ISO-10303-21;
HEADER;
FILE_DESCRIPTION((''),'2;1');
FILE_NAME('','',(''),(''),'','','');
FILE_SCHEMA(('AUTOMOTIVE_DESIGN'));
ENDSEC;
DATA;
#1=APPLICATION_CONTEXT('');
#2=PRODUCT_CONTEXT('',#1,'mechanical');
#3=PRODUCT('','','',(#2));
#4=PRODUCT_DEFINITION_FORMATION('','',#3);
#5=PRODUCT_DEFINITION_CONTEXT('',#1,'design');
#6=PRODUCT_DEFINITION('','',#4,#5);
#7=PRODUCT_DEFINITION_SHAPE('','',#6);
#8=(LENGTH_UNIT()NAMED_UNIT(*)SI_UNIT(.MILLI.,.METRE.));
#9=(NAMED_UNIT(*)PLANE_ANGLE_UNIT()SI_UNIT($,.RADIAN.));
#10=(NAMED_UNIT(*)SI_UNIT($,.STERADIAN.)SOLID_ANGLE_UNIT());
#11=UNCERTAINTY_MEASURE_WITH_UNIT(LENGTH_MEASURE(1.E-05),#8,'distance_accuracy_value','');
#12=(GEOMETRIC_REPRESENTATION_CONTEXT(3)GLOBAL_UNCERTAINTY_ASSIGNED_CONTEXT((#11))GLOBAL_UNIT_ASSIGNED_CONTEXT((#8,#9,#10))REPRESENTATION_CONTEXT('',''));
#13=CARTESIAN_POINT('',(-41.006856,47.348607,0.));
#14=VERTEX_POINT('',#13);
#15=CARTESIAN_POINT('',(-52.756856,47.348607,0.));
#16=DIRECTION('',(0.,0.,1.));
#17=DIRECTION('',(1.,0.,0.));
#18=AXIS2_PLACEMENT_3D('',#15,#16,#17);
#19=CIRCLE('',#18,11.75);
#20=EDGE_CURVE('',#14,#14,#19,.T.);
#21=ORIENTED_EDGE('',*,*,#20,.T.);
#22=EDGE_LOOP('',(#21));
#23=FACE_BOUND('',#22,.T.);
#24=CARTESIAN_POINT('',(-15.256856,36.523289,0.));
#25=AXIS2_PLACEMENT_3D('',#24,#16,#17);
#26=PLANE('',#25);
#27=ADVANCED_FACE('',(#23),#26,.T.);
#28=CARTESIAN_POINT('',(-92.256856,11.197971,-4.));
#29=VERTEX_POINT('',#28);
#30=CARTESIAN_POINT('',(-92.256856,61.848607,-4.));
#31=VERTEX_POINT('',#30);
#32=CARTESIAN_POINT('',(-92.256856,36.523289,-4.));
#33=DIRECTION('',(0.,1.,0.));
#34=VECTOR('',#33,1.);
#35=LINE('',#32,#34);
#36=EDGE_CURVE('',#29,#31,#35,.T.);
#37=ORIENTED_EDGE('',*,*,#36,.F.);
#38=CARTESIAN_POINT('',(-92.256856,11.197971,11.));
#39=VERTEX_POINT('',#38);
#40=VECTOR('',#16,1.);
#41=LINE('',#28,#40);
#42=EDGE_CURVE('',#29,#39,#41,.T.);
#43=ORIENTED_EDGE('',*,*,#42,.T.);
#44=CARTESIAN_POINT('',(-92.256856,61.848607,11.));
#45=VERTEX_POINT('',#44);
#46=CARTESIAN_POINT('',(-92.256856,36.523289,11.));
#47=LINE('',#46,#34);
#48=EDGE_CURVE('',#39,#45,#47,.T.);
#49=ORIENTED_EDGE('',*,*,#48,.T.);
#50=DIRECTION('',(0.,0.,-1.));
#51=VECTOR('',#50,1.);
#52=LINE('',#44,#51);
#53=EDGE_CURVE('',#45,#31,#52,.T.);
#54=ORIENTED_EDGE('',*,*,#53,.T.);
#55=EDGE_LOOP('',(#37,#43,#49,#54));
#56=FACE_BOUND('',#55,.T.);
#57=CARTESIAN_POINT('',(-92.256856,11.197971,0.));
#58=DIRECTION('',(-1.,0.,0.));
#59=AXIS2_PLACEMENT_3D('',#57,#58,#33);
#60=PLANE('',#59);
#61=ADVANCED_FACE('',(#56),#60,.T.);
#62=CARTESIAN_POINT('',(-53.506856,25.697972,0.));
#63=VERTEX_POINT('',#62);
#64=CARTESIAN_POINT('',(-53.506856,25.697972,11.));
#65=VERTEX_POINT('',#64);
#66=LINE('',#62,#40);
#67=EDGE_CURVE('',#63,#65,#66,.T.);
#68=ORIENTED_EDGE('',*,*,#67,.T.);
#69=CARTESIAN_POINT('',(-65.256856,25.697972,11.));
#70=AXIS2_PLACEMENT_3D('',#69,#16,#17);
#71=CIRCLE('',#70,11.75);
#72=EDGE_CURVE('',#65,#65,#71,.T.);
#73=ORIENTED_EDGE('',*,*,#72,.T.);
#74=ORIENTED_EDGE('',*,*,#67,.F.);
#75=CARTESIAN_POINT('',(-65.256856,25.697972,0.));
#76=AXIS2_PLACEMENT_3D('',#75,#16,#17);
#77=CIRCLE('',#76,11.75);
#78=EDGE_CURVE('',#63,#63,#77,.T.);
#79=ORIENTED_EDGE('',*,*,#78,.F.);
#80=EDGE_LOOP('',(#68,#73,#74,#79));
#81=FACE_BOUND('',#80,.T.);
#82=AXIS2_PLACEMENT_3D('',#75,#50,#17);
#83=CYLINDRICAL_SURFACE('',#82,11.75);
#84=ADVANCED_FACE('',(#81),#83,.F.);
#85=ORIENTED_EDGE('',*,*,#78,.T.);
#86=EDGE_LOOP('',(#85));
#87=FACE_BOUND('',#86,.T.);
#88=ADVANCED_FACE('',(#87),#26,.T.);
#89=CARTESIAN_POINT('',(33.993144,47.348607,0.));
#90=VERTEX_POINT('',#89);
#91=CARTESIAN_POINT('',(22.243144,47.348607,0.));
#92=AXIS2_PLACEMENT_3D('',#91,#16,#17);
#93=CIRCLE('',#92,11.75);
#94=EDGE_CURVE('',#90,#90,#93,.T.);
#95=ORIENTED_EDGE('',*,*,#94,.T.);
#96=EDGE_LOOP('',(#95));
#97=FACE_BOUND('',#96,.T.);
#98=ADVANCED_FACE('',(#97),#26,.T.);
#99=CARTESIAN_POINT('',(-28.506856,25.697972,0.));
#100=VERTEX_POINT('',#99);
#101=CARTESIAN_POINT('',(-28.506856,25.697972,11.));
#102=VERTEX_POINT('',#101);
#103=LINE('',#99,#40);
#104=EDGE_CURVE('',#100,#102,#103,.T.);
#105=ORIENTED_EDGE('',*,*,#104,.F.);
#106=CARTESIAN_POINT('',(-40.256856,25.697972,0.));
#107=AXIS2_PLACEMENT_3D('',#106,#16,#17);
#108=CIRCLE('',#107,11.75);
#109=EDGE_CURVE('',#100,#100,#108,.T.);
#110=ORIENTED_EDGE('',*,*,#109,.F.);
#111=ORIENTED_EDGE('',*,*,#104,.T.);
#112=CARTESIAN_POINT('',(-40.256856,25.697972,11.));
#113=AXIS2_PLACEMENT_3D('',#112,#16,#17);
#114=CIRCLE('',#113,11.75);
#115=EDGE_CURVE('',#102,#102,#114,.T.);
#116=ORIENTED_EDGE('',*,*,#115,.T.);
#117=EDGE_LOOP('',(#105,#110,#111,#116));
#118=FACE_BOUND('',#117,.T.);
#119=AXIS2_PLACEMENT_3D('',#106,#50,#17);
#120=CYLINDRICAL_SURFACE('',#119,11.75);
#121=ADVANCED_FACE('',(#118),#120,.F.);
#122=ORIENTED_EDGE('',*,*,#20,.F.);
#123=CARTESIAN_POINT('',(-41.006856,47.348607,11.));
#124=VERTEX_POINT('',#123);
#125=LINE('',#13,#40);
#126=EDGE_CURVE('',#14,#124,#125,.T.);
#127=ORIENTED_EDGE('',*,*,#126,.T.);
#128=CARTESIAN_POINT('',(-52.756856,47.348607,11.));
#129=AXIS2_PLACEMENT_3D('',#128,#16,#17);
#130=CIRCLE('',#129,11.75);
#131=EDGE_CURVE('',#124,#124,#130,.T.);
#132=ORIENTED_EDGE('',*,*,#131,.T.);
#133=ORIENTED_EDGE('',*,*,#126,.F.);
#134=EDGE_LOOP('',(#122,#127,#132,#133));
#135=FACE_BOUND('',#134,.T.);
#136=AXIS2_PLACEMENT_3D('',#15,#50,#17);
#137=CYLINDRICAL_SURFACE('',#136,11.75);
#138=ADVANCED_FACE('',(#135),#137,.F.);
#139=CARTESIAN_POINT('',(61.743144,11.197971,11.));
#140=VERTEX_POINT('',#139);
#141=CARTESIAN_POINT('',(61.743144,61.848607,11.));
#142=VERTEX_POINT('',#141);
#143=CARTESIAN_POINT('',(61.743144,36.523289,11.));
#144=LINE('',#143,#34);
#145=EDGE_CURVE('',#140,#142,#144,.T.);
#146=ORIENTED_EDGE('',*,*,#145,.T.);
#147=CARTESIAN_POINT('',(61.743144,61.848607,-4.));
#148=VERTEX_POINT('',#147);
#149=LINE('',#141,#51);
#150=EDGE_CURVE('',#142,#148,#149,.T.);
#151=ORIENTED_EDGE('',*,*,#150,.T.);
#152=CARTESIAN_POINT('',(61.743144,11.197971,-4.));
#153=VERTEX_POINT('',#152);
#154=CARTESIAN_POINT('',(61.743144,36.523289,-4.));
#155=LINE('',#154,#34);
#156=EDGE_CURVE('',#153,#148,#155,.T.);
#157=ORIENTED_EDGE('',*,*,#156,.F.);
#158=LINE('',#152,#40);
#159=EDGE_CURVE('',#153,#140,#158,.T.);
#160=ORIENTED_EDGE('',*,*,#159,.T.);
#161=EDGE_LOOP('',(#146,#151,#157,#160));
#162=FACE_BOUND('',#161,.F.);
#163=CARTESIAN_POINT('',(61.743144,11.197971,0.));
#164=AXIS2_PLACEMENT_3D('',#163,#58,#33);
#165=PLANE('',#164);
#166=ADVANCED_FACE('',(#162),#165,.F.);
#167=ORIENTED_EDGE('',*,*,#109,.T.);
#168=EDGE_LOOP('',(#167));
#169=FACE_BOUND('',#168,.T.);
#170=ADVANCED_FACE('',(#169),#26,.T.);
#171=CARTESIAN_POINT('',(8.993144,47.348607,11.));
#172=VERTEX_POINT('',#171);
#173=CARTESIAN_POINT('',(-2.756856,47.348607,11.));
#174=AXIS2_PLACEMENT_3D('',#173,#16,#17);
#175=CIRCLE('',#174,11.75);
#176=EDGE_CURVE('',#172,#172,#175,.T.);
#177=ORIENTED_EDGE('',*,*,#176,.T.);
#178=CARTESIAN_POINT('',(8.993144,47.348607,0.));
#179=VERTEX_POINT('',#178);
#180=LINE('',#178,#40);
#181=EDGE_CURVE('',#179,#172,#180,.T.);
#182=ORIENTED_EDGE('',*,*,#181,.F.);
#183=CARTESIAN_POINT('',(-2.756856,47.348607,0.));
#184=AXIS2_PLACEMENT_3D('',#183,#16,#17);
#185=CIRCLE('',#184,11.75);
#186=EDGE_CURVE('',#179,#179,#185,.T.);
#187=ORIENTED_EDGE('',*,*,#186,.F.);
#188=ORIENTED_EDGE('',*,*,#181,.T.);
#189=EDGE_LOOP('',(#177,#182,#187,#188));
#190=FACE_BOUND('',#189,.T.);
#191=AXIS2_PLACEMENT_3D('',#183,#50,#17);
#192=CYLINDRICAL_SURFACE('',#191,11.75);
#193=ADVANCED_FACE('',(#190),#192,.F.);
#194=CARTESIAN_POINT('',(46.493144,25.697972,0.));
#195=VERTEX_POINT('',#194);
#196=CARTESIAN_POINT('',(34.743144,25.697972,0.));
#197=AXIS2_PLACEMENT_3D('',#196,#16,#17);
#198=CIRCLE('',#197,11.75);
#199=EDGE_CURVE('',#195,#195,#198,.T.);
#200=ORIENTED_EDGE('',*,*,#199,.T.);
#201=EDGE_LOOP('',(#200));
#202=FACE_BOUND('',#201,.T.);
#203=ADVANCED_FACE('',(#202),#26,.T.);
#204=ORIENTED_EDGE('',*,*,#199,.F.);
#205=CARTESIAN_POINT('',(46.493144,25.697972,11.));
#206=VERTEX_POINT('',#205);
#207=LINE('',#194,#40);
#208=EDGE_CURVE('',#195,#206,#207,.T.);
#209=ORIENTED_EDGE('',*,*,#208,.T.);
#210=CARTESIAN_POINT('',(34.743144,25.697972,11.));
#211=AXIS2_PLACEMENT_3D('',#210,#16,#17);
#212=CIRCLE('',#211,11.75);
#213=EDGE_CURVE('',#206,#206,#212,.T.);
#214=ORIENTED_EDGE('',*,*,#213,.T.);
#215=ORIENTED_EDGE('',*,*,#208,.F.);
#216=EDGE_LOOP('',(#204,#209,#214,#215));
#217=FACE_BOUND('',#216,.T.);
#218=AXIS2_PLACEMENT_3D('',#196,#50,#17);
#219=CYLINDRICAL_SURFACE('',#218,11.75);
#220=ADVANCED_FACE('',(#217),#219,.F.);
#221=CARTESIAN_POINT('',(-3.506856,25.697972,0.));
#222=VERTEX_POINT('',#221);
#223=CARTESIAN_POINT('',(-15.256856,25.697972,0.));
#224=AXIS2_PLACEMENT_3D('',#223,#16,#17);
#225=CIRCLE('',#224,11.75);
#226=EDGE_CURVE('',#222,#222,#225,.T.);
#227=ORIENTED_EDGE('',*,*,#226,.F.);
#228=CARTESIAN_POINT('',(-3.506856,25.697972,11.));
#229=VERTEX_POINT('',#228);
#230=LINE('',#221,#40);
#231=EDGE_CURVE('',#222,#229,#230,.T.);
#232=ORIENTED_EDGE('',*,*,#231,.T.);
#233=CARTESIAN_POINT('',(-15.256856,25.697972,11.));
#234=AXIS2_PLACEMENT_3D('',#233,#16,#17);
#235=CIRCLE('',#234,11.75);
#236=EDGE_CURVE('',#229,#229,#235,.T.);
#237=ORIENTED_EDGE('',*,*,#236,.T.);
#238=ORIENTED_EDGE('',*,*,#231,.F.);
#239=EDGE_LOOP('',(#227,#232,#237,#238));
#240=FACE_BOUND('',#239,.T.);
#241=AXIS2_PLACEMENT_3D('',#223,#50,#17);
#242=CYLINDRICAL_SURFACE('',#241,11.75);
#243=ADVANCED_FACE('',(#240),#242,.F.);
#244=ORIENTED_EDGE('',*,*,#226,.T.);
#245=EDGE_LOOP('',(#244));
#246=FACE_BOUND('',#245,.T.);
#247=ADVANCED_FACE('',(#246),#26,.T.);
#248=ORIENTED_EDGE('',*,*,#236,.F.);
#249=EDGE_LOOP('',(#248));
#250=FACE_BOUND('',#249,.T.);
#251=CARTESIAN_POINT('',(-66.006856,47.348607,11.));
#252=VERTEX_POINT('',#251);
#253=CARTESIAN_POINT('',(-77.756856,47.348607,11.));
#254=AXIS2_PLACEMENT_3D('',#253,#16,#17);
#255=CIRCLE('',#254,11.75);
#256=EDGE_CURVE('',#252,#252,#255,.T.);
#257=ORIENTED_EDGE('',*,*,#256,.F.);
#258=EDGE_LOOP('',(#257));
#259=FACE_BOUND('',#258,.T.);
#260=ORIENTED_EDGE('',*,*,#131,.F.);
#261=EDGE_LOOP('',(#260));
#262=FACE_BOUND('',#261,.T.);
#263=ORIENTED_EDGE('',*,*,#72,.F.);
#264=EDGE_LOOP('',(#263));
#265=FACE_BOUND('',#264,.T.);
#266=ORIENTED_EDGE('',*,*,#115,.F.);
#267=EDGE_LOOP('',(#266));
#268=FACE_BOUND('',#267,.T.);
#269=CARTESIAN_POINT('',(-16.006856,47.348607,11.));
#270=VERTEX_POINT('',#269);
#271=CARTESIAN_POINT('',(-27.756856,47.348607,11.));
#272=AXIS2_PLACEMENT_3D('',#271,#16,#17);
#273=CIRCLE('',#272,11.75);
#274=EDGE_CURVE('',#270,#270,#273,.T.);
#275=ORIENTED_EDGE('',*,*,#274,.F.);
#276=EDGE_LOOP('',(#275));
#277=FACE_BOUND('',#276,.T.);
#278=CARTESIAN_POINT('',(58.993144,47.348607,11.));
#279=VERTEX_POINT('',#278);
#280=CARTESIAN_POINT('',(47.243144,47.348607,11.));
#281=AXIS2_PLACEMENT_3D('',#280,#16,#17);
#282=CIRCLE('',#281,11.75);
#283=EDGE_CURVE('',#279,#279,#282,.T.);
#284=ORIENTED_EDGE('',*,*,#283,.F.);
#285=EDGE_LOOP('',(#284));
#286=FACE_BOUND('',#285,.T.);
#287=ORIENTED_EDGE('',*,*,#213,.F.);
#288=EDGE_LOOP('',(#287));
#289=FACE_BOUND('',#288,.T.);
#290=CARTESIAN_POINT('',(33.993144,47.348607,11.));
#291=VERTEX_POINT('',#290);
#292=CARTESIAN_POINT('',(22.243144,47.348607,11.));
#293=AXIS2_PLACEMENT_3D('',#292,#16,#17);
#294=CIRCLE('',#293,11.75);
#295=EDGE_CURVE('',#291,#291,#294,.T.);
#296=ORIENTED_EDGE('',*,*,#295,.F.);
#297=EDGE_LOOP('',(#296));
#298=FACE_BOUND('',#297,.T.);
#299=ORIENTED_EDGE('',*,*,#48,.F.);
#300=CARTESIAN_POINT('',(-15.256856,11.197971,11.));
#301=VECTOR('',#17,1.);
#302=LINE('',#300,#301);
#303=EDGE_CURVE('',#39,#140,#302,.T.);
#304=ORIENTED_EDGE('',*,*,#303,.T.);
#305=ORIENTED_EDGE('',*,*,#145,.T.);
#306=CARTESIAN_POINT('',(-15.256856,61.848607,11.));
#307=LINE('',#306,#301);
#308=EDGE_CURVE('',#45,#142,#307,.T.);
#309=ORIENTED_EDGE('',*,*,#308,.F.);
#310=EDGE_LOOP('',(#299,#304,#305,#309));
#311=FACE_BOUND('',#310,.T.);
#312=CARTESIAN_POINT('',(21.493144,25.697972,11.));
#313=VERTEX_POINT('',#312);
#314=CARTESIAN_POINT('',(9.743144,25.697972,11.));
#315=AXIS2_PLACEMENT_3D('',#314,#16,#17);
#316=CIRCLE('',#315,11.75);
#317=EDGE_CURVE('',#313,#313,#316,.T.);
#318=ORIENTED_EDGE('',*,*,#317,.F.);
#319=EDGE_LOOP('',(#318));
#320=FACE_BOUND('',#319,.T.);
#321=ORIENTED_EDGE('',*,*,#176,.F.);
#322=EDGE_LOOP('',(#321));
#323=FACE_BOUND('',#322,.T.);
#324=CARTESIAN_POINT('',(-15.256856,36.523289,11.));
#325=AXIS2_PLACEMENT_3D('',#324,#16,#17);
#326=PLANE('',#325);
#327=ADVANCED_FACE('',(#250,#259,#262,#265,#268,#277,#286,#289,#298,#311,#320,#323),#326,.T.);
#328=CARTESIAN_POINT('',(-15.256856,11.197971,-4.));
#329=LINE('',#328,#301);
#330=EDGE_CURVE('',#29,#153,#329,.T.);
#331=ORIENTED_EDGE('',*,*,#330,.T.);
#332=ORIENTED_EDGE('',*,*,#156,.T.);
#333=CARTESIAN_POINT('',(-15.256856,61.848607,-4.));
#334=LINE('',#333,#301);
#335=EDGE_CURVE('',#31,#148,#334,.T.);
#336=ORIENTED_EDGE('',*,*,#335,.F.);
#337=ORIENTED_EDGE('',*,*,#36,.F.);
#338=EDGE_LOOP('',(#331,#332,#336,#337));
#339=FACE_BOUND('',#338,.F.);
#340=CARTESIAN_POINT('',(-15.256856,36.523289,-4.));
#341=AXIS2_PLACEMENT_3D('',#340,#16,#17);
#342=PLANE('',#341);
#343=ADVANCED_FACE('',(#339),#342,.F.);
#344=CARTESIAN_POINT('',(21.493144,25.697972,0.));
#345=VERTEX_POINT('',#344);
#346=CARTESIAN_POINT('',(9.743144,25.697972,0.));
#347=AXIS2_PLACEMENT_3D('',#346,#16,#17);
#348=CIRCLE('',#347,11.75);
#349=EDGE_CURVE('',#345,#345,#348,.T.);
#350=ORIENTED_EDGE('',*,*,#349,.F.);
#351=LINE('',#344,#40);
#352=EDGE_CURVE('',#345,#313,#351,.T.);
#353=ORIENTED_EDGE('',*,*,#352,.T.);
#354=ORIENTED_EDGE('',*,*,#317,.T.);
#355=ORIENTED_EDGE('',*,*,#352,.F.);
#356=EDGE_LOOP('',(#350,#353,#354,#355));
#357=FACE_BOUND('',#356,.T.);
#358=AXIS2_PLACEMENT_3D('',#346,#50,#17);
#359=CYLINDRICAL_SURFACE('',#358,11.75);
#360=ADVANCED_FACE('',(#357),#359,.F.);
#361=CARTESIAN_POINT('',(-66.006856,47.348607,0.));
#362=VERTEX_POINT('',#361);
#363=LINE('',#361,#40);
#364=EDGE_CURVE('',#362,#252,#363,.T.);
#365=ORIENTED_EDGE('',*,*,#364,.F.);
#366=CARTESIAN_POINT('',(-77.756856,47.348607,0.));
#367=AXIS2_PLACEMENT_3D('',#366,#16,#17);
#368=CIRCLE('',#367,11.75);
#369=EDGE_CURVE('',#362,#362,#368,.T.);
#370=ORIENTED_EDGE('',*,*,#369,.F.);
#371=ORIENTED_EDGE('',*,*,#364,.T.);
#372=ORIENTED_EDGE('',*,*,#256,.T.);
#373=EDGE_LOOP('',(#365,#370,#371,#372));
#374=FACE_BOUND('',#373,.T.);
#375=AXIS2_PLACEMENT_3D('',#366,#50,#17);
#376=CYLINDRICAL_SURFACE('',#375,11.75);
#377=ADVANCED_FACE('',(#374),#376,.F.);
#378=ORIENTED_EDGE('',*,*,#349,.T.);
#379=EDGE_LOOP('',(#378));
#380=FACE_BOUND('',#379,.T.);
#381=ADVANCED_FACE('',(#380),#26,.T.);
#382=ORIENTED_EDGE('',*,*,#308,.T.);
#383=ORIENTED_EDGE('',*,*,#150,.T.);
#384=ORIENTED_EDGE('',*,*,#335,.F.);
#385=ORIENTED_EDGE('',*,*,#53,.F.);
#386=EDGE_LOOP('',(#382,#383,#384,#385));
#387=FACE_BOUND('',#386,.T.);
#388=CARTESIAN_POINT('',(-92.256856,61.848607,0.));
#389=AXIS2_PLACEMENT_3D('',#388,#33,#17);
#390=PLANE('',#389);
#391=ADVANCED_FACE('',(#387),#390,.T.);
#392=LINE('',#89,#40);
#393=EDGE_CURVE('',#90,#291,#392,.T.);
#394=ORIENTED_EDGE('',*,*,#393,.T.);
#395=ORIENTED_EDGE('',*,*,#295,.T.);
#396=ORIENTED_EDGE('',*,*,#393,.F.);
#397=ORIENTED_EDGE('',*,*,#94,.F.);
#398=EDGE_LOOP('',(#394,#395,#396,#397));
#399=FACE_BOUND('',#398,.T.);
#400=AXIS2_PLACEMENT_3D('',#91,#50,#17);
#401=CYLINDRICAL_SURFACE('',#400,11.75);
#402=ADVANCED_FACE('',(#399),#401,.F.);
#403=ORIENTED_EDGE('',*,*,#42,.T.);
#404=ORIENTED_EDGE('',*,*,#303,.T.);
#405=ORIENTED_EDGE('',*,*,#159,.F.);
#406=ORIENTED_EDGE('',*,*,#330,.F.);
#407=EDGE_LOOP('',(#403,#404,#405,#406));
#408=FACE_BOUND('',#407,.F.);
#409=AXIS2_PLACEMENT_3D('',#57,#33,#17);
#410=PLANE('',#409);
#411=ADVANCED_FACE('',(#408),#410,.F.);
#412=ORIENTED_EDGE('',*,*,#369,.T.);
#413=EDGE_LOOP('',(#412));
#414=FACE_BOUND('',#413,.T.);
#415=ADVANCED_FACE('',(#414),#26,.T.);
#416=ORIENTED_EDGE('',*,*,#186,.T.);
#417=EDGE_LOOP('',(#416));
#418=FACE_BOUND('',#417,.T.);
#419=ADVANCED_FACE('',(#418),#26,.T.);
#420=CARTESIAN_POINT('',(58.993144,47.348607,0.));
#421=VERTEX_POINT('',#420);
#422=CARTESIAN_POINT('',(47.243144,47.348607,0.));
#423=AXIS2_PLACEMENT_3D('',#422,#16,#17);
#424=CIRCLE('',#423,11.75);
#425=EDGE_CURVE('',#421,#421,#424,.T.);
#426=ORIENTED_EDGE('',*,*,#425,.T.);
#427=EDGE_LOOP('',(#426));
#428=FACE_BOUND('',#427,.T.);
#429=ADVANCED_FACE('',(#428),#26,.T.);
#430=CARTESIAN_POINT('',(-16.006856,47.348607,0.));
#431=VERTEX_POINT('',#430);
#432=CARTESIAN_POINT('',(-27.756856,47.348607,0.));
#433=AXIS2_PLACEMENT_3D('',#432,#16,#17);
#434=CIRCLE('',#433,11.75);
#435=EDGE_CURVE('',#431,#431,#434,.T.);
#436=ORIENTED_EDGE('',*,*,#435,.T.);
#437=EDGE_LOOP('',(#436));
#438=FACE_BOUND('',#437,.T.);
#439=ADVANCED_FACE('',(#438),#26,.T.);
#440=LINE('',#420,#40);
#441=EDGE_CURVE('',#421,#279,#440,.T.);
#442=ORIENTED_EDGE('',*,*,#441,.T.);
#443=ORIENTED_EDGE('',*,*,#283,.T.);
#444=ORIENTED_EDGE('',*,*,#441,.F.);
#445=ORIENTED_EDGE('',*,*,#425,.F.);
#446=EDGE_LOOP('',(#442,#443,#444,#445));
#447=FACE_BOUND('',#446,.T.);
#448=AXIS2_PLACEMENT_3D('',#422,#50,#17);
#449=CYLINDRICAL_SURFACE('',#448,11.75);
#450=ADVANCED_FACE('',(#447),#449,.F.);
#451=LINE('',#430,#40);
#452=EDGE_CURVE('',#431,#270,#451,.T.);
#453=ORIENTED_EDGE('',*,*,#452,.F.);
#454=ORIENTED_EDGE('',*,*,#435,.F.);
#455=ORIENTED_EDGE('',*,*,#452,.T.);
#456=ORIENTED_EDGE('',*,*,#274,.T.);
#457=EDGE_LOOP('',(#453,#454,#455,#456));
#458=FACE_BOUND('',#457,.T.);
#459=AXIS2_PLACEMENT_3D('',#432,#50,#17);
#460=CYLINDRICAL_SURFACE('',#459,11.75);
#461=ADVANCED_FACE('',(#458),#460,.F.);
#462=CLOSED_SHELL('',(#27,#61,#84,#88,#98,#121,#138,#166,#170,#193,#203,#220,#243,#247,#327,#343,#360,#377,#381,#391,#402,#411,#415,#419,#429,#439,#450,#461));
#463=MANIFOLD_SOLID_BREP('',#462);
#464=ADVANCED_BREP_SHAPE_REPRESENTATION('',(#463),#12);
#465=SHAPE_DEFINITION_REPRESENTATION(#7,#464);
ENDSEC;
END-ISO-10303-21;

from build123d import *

# Parameters (mm, degrees)
F0_W     = 154
F0_H     = 50.650635
F0_R     = 11.75
F1_DEPTH = 4
F2_DEPTH = 11


with BuildPart() as f1:
    # F0 (on Top) → F1 (new body)
    with BuildSketch(Plane.XY):
        with Locations((-15.256856, 36.523289)):
            Rectangle(F0_W, F0_H)
        with Locations((-65.256856, 25.697972)):
            Circle(F0_R, mode=Mode.SUBTRACT)
        with Locations((-40.256856, 25.697972)):
            Circle(F0_R, mode=Mode.SUBTRACT)
        with Locations((-15.256856, 25.697972)):
            Circle(F0_R, mode=Mode.SUBTRACT)
        with Locations((9.743144, 25.697972)):
            Circle(F0_R, mode=Mode.SUBTRACT)
        with Locations((34.743144, 25.697972)):
            Circle(F0_R, mode=Mode.SUBTRACT)
        with Locations((-77.756856, 47.348607)):
            Circle(F0_R, mode=Mode.SUBTRACT)
        with Locations((-52.756856, 47.348607)):
            Circle(F0_R, mode=Mode.SUBTRACT)
        with Locations((-27.756856, 47.348607)):
            Circle(F0_R, mode=Mode.SUBTRACT)
        with Locations((-2.756856, 47.348607)):
            Circle(F0_R, mode=Mode.SUBTRACT)
        with Locations((22.243144, 47.348607)):
            Circle(F0_R, mode=Mode.SUBTRACT)
        with Locations((47.243144, 47.348607)):
            Circle(F0_R, mode=Mode.SUBTRACT)
        with Locations((-77.756856, 47.348607)):
            Circle(F0_R)
        with Locations((-65.256856, 25.697972)):
            Circle(F0_R)
        with Locations((-52.756856, 47.348607)):
            Circle(F0_R)
        with Locations((-40.256856, 25.697972)):
            Circle(F0_R)
        with Locations((-27.756856, 47.348607)):
            Circle(F0_R)
        with Locations((-2.756856, 47.348607)):
            Circle(F0_R)
        with Locations((-15.256856, 25.697972)):
            Circle(F0_R)
        with Locations((9.743144, 25.697972)):
            Circle(F0_R)
        with Locations((47.243144, 47.348607)):
            Circle(F0_R)
        with Locations((34.743144, 25.697972)):
            Circle(F0_R)
        with Locations((22.243144, 47.348607)):
            Circle(F0_R)
    extrude(amount=-F1_DEPTH)

    # F0 (on Top) → F2 (join)
    with BuildSketch(Plane.XY):
        with Locations((-15.256856, 36.523289)):
            Rectangle(F0_W, F0_H)
        with Locations((-65.256856, 25.697972)):
            Circle(F0_R, mode=Mode.SUBTRACT)
        with Locations((-40.256856, 25.697972)):
            Circle(F0_R, mode=Mode.SUBTRACT)
        with Locations((-15.256856, 25.697972)):
            Circle(F0_R, mode=Mode.SUBTRACT)
        with Locations((9.743144, 25.697972)):
            Circle(F0_R, mode=Mode.SUBTRACT)
        with Locations((34.743144, 25.697972)):
            Circle(F0_R, mode=Mode.SUBTRACT)
        with Locations((-77.756856, 47.348607)):
            Circle(F0_R, mode=Mode.SUBTRACT)
        with Locations((-52.756856, 47.348607)):
            Circle(F0_R, mode=Mode.SUBTRACT)
        with Locations((-27.756856, 47.348607)):
            Circle(F0_R, mode=Mode.SUBTRACT)
        with Locations((-2.756856, 47.348607)):
            Circle(F0_R, mode=Mode.SUBTRACT)
        with Locations((22.243144, 47.348607)):
            Circle(F0_R, mode=Mode.SUBTRACT)
        with Locations((47.243144, 47.348607)):
            Circle(F0_R, mode=Mode.SUBTRACT)
    extrude(amount=F2_DEPTH)


solid = f1.part
